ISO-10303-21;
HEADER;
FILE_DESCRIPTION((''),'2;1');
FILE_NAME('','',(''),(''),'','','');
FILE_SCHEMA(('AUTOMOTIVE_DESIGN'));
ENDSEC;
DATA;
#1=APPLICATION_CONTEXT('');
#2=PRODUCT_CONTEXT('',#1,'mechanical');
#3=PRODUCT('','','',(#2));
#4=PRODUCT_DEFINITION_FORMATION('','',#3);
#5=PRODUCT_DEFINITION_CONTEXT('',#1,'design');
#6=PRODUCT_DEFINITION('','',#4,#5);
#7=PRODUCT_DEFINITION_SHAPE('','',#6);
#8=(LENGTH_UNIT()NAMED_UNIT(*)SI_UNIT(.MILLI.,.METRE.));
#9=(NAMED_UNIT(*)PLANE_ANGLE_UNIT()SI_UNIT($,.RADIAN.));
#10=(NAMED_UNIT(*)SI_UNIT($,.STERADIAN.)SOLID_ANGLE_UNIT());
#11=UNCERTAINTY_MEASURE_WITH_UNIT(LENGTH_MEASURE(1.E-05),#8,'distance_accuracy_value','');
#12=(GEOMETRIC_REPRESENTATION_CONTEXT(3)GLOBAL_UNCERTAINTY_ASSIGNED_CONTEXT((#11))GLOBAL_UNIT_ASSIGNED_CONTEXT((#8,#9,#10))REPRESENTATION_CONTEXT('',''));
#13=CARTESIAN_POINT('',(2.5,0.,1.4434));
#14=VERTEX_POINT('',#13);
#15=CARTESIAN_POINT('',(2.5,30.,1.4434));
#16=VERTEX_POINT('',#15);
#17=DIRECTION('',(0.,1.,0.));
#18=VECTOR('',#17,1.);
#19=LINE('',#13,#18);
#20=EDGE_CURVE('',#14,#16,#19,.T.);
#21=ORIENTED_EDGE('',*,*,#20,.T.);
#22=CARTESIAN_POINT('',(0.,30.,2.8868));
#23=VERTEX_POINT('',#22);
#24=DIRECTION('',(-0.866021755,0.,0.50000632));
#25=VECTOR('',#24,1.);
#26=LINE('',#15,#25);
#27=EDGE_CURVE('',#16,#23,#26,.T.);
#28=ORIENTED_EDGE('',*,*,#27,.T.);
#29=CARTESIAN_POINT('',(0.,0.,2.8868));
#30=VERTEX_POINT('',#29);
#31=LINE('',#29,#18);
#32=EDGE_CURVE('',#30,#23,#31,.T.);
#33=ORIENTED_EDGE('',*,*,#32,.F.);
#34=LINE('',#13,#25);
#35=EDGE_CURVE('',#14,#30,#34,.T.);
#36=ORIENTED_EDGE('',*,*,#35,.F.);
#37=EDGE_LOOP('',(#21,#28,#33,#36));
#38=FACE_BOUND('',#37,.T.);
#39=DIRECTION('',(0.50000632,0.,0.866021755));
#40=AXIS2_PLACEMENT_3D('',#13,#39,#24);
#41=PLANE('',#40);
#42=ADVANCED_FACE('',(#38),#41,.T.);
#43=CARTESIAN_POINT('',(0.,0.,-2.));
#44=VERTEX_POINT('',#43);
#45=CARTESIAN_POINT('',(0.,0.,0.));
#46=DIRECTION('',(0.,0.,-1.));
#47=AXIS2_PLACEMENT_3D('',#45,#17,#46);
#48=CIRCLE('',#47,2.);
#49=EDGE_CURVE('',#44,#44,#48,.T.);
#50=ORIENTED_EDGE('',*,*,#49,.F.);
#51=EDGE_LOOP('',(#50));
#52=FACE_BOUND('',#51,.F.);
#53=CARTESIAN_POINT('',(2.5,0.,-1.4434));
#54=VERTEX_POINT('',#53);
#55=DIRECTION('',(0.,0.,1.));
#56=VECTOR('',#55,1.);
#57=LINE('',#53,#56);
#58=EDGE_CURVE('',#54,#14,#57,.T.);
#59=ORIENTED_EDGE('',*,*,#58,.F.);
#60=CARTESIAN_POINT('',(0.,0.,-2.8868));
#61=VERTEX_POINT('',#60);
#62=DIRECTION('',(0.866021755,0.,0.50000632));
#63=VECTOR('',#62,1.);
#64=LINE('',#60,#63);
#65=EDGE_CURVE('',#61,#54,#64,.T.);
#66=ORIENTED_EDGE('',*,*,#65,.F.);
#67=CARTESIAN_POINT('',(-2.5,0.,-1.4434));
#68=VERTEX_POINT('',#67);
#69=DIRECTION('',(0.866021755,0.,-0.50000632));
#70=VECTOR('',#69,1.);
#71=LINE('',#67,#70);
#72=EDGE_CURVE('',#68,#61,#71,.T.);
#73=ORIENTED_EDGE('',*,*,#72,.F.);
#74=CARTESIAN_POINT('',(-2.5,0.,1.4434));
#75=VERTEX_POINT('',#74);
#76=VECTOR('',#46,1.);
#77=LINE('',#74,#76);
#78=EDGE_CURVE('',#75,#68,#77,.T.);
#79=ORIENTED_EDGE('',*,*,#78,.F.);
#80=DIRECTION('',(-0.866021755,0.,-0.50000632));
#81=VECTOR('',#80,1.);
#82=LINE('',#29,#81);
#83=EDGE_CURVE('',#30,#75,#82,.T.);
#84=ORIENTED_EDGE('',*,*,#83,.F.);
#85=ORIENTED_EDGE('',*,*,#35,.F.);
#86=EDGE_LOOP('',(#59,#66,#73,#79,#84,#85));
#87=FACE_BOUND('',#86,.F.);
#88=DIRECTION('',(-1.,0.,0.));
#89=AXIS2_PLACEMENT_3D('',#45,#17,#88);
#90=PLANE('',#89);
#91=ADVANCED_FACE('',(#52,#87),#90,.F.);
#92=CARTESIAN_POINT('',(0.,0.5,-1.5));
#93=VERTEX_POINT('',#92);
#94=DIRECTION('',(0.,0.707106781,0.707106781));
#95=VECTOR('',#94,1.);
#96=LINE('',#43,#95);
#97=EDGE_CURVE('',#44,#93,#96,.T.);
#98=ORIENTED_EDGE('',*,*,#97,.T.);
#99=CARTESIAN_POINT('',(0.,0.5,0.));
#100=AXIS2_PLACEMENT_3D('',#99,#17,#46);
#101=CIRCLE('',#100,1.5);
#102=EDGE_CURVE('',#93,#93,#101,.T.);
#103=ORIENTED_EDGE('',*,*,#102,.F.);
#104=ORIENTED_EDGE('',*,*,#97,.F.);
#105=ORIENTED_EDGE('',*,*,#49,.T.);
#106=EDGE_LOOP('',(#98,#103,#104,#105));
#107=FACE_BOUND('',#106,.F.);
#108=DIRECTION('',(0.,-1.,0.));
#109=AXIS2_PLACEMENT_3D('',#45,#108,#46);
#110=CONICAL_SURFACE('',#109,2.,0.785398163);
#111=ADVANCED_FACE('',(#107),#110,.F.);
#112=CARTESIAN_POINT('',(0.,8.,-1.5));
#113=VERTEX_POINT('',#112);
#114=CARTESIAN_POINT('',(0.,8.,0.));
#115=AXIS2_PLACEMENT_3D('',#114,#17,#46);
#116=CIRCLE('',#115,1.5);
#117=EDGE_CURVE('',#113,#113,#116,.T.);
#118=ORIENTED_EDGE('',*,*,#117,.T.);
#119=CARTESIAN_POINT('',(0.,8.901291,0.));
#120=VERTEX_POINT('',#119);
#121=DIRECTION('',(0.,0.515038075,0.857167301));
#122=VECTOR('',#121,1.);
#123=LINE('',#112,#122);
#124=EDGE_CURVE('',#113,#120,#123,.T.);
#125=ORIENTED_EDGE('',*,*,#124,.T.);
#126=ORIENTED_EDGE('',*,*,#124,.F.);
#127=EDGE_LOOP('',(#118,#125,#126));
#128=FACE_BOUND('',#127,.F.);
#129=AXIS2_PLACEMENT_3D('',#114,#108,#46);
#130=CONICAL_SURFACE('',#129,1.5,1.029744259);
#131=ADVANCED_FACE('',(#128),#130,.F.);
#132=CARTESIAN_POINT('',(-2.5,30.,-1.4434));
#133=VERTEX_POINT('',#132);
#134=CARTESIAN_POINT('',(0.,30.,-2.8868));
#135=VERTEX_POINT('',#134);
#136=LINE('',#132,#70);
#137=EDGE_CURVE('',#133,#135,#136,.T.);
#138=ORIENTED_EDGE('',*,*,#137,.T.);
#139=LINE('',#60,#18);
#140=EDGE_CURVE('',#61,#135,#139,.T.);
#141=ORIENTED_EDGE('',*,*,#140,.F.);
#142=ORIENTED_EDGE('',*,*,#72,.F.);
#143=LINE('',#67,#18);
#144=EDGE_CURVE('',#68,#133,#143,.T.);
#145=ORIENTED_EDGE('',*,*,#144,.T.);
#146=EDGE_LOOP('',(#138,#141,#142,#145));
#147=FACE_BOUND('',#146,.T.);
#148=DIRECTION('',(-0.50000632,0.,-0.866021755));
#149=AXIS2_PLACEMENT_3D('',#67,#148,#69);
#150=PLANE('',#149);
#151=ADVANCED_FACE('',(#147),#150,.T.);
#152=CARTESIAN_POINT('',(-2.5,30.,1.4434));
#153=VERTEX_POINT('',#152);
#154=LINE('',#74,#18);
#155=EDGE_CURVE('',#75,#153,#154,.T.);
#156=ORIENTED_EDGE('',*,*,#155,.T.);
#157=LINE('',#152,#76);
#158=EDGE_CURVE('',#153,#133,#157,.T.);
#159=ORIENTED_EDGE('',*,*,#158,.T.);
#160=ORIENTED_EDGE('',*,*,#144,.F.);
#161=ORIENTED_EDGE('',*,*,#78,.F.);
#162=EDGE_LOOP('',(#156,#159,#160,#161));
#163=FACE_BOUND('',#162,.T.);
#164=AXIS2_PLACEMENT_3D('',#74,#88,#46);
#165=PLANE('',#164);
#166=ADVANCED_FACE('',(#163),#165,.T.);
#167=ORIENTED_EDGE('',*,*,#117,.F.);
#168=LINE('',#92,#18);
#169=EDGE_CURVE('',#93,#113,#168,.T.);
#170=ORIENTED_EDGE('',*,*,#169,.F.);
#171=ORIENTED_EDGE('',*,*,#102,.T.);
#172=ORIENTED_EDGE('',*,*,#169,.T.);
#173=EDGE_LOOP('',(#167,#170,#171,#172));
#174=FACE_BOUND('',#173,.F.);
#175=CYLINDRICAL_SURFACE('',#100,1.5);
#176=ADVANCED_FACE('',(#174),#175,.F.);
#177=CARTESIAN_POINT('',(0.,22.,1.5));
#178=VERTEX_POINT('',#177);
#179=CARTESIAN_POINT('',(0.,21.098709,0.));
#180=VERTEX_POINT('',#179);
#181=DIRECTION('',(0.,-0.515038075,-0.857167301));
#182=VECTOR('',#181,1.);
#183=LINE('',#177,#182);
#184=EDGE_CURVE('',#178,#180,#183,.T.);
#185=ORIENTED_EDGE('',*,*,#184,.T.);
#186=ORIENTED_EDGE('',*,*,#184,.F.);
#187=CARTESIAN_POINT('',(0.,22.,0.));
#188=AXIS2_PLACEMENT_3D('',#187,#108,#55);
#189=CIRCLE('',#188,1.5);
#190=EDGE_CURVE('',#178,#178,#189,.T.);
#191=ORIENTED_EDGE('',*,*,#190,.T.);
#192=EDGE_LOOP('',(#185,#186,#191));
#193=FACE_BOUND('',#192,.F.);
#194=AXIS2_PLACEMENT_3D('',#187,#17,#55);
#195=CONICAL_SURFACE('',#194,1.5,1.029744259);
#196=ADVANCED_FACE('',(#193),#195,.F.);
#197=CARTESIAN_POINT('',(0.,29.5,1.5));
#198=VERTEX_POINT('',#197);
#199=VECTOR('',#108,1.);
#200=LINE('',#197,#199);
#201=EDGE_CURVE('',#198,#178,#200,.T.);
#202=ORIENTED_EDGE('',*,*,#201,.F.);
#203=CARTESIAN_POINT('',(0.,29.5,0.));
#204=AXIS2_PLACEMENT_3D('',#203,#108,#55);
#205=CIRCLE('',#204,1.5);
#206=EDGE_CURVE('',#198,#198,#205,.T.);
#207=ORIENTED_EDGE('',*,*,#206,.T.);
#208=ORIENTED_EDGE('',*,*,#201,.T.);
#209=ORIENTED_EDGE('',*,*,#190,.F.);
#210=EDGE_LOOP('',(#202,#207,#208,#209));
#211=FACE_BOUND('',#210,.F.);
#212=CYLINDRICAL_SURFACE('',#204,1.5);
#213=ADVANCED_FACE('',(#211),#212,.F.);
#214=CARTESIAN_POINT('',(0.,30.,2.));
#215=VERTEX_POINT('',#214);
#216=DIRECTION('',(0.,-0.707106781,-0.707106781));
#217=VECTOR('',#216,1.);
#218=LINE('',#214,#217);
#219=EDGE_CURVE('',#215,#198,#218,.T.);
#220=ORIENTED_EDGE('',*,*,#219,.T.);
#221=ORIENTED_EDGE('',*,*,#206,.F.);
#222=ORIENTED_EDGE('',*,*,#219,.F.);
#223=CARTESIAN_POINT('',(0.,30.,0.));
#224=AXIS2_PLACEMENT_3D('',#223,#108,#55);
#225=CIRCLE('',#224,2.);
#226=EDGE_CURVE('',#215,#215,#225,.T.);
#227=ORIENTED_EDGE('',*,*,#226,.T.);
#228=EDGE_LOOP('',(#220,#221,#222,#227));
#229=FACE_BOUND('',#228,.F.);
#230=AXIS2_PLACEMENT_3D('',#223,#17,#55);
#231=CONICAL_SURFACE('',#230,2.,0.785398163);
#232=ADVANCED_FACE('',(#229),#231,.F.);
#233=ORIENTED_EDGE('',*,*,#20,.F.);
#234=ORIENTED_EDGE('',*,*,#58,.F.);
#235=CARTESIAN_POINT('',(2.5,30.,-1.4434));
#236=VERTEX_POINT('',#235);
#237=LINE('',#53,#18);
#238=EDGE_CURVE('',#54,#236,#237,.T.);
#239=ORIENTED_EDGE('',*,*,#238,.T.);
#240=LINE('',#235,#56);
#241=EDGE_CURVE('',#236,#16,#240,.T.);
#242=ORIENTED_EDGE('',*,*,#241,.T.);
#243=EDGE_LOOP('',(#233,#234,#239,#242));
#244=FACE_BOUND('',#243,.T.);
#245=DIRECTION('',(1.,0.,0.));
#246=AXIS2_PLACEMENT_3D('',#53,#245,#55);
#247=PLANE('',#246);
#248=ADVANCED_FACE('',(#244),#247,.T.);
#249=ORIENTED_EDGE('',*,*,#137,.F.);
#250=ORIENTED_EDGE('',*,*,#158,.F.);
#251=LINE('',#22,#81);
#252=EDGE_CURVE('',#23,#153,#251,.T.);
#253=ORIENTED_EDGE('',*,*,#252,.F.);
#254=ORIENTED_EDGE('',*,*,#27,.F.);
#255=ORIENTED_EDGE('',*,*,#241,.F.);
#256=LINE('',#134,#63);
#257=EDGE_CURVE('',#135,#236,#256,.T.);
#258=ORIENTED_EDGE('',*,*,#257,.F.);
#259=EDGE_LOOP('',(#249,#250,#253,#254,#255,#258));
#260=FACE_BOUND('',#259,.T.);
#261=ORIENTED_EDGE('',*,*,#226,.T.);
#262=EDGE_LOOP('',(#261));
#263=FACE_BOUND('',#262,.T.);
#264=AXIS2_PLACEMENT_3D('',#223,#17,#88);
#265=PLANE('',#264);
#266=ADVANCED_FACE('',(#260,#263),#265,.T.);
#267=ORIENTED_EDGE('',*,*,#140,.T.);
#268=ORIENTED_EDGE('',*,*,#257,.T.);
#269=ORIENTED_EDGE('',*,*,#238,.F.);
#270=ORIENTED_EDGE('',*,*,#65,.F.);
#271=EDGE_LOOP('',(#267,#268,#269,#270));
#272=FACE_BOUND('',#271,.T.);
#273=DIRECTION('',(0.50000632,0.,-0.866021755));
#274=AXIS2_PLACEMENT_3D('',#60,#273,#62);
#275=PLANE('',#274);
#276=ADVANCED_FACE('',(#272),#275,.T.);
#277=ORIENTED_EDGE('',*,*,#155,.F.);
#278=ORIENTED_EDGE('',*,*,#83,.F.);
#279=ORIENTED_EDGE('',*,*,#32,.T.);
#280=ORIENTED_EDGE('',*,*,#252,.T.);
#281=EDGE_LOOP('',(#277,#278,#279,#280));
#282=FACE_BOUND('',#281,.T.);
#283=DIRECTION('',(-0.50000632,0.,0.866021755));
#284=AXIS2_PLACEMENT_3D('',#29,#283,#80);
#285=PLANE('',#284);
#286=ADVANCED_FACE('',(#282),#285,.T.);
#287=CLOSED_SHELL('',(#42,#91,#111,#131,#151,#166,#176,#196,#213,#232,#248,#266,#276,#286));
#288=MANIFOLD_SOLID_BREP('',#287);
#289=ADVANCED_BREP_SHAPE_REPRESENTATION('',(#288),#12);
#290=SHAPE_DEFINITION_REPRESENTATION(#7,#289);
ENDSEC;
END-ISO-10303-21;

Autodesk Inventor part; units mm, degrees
ref_plane "YZ Plane" through (0, 0, 0) normal (1, 0, 0) x (0, 1, 0)
ref_plane "XZ Plane" through (0, 0, 0) normal (0, 1, 0) x (-1, 0, 0)
ref_plane "XY Plane" through (0, 0, 0) normal (0, 0, 1) x (1, 0, 0)
sketch "Boceto1" plane through (0, 0, 0) normal (0, 1, 0) x (-1, 0, 0)
  line L0 (2.5, -1.4434) -> (0, -2.8868)
  line L1 (0, -2.8868) -> (-2.5, -1.4434)
  line L2 (-2.5, -1.4434) -> (-2.5, 1.4434)
  line L3 (-2.5, 1.4434) -> (0, 2.8868)
  line L4 (0, 2.8868) -> (2.5, 1.4434)
  line L5 (2.5, 1.4434) -> (2.5, -1.4434)
  point P0 (0, 0)
  point P1 (0, 0)
  dimension "d0" = 5
extrude "Extrusión1" add sketch "Boceto1" along normal blind 30
sketch "Boceto2" plane through (0, 0, 0) normal (0, -1, 0) x (1, 0, 0)
  point P0 (0, 0)
  point P1 (0, 0)
hole "Agujero1" at (0, 0, 0) direction (0, 1, 0) diameter 3 depth 8 tip angle 118 countersink diameter 4 countersink angle 90
sketch "Boceto3" plane through (0, 30, 0) normal (0, 1, 0) x (1, 0, 0)
  circle A0 centre (0, 0) radius 1.5 projected
hole "Agujero2" at (0, 30, 0) direction (0, -1, 0) diameter 3 depth 8 tip angle 118 countersink diameter 4 countersink angle 90
properties part number "Separador M3 x 25 mm"
